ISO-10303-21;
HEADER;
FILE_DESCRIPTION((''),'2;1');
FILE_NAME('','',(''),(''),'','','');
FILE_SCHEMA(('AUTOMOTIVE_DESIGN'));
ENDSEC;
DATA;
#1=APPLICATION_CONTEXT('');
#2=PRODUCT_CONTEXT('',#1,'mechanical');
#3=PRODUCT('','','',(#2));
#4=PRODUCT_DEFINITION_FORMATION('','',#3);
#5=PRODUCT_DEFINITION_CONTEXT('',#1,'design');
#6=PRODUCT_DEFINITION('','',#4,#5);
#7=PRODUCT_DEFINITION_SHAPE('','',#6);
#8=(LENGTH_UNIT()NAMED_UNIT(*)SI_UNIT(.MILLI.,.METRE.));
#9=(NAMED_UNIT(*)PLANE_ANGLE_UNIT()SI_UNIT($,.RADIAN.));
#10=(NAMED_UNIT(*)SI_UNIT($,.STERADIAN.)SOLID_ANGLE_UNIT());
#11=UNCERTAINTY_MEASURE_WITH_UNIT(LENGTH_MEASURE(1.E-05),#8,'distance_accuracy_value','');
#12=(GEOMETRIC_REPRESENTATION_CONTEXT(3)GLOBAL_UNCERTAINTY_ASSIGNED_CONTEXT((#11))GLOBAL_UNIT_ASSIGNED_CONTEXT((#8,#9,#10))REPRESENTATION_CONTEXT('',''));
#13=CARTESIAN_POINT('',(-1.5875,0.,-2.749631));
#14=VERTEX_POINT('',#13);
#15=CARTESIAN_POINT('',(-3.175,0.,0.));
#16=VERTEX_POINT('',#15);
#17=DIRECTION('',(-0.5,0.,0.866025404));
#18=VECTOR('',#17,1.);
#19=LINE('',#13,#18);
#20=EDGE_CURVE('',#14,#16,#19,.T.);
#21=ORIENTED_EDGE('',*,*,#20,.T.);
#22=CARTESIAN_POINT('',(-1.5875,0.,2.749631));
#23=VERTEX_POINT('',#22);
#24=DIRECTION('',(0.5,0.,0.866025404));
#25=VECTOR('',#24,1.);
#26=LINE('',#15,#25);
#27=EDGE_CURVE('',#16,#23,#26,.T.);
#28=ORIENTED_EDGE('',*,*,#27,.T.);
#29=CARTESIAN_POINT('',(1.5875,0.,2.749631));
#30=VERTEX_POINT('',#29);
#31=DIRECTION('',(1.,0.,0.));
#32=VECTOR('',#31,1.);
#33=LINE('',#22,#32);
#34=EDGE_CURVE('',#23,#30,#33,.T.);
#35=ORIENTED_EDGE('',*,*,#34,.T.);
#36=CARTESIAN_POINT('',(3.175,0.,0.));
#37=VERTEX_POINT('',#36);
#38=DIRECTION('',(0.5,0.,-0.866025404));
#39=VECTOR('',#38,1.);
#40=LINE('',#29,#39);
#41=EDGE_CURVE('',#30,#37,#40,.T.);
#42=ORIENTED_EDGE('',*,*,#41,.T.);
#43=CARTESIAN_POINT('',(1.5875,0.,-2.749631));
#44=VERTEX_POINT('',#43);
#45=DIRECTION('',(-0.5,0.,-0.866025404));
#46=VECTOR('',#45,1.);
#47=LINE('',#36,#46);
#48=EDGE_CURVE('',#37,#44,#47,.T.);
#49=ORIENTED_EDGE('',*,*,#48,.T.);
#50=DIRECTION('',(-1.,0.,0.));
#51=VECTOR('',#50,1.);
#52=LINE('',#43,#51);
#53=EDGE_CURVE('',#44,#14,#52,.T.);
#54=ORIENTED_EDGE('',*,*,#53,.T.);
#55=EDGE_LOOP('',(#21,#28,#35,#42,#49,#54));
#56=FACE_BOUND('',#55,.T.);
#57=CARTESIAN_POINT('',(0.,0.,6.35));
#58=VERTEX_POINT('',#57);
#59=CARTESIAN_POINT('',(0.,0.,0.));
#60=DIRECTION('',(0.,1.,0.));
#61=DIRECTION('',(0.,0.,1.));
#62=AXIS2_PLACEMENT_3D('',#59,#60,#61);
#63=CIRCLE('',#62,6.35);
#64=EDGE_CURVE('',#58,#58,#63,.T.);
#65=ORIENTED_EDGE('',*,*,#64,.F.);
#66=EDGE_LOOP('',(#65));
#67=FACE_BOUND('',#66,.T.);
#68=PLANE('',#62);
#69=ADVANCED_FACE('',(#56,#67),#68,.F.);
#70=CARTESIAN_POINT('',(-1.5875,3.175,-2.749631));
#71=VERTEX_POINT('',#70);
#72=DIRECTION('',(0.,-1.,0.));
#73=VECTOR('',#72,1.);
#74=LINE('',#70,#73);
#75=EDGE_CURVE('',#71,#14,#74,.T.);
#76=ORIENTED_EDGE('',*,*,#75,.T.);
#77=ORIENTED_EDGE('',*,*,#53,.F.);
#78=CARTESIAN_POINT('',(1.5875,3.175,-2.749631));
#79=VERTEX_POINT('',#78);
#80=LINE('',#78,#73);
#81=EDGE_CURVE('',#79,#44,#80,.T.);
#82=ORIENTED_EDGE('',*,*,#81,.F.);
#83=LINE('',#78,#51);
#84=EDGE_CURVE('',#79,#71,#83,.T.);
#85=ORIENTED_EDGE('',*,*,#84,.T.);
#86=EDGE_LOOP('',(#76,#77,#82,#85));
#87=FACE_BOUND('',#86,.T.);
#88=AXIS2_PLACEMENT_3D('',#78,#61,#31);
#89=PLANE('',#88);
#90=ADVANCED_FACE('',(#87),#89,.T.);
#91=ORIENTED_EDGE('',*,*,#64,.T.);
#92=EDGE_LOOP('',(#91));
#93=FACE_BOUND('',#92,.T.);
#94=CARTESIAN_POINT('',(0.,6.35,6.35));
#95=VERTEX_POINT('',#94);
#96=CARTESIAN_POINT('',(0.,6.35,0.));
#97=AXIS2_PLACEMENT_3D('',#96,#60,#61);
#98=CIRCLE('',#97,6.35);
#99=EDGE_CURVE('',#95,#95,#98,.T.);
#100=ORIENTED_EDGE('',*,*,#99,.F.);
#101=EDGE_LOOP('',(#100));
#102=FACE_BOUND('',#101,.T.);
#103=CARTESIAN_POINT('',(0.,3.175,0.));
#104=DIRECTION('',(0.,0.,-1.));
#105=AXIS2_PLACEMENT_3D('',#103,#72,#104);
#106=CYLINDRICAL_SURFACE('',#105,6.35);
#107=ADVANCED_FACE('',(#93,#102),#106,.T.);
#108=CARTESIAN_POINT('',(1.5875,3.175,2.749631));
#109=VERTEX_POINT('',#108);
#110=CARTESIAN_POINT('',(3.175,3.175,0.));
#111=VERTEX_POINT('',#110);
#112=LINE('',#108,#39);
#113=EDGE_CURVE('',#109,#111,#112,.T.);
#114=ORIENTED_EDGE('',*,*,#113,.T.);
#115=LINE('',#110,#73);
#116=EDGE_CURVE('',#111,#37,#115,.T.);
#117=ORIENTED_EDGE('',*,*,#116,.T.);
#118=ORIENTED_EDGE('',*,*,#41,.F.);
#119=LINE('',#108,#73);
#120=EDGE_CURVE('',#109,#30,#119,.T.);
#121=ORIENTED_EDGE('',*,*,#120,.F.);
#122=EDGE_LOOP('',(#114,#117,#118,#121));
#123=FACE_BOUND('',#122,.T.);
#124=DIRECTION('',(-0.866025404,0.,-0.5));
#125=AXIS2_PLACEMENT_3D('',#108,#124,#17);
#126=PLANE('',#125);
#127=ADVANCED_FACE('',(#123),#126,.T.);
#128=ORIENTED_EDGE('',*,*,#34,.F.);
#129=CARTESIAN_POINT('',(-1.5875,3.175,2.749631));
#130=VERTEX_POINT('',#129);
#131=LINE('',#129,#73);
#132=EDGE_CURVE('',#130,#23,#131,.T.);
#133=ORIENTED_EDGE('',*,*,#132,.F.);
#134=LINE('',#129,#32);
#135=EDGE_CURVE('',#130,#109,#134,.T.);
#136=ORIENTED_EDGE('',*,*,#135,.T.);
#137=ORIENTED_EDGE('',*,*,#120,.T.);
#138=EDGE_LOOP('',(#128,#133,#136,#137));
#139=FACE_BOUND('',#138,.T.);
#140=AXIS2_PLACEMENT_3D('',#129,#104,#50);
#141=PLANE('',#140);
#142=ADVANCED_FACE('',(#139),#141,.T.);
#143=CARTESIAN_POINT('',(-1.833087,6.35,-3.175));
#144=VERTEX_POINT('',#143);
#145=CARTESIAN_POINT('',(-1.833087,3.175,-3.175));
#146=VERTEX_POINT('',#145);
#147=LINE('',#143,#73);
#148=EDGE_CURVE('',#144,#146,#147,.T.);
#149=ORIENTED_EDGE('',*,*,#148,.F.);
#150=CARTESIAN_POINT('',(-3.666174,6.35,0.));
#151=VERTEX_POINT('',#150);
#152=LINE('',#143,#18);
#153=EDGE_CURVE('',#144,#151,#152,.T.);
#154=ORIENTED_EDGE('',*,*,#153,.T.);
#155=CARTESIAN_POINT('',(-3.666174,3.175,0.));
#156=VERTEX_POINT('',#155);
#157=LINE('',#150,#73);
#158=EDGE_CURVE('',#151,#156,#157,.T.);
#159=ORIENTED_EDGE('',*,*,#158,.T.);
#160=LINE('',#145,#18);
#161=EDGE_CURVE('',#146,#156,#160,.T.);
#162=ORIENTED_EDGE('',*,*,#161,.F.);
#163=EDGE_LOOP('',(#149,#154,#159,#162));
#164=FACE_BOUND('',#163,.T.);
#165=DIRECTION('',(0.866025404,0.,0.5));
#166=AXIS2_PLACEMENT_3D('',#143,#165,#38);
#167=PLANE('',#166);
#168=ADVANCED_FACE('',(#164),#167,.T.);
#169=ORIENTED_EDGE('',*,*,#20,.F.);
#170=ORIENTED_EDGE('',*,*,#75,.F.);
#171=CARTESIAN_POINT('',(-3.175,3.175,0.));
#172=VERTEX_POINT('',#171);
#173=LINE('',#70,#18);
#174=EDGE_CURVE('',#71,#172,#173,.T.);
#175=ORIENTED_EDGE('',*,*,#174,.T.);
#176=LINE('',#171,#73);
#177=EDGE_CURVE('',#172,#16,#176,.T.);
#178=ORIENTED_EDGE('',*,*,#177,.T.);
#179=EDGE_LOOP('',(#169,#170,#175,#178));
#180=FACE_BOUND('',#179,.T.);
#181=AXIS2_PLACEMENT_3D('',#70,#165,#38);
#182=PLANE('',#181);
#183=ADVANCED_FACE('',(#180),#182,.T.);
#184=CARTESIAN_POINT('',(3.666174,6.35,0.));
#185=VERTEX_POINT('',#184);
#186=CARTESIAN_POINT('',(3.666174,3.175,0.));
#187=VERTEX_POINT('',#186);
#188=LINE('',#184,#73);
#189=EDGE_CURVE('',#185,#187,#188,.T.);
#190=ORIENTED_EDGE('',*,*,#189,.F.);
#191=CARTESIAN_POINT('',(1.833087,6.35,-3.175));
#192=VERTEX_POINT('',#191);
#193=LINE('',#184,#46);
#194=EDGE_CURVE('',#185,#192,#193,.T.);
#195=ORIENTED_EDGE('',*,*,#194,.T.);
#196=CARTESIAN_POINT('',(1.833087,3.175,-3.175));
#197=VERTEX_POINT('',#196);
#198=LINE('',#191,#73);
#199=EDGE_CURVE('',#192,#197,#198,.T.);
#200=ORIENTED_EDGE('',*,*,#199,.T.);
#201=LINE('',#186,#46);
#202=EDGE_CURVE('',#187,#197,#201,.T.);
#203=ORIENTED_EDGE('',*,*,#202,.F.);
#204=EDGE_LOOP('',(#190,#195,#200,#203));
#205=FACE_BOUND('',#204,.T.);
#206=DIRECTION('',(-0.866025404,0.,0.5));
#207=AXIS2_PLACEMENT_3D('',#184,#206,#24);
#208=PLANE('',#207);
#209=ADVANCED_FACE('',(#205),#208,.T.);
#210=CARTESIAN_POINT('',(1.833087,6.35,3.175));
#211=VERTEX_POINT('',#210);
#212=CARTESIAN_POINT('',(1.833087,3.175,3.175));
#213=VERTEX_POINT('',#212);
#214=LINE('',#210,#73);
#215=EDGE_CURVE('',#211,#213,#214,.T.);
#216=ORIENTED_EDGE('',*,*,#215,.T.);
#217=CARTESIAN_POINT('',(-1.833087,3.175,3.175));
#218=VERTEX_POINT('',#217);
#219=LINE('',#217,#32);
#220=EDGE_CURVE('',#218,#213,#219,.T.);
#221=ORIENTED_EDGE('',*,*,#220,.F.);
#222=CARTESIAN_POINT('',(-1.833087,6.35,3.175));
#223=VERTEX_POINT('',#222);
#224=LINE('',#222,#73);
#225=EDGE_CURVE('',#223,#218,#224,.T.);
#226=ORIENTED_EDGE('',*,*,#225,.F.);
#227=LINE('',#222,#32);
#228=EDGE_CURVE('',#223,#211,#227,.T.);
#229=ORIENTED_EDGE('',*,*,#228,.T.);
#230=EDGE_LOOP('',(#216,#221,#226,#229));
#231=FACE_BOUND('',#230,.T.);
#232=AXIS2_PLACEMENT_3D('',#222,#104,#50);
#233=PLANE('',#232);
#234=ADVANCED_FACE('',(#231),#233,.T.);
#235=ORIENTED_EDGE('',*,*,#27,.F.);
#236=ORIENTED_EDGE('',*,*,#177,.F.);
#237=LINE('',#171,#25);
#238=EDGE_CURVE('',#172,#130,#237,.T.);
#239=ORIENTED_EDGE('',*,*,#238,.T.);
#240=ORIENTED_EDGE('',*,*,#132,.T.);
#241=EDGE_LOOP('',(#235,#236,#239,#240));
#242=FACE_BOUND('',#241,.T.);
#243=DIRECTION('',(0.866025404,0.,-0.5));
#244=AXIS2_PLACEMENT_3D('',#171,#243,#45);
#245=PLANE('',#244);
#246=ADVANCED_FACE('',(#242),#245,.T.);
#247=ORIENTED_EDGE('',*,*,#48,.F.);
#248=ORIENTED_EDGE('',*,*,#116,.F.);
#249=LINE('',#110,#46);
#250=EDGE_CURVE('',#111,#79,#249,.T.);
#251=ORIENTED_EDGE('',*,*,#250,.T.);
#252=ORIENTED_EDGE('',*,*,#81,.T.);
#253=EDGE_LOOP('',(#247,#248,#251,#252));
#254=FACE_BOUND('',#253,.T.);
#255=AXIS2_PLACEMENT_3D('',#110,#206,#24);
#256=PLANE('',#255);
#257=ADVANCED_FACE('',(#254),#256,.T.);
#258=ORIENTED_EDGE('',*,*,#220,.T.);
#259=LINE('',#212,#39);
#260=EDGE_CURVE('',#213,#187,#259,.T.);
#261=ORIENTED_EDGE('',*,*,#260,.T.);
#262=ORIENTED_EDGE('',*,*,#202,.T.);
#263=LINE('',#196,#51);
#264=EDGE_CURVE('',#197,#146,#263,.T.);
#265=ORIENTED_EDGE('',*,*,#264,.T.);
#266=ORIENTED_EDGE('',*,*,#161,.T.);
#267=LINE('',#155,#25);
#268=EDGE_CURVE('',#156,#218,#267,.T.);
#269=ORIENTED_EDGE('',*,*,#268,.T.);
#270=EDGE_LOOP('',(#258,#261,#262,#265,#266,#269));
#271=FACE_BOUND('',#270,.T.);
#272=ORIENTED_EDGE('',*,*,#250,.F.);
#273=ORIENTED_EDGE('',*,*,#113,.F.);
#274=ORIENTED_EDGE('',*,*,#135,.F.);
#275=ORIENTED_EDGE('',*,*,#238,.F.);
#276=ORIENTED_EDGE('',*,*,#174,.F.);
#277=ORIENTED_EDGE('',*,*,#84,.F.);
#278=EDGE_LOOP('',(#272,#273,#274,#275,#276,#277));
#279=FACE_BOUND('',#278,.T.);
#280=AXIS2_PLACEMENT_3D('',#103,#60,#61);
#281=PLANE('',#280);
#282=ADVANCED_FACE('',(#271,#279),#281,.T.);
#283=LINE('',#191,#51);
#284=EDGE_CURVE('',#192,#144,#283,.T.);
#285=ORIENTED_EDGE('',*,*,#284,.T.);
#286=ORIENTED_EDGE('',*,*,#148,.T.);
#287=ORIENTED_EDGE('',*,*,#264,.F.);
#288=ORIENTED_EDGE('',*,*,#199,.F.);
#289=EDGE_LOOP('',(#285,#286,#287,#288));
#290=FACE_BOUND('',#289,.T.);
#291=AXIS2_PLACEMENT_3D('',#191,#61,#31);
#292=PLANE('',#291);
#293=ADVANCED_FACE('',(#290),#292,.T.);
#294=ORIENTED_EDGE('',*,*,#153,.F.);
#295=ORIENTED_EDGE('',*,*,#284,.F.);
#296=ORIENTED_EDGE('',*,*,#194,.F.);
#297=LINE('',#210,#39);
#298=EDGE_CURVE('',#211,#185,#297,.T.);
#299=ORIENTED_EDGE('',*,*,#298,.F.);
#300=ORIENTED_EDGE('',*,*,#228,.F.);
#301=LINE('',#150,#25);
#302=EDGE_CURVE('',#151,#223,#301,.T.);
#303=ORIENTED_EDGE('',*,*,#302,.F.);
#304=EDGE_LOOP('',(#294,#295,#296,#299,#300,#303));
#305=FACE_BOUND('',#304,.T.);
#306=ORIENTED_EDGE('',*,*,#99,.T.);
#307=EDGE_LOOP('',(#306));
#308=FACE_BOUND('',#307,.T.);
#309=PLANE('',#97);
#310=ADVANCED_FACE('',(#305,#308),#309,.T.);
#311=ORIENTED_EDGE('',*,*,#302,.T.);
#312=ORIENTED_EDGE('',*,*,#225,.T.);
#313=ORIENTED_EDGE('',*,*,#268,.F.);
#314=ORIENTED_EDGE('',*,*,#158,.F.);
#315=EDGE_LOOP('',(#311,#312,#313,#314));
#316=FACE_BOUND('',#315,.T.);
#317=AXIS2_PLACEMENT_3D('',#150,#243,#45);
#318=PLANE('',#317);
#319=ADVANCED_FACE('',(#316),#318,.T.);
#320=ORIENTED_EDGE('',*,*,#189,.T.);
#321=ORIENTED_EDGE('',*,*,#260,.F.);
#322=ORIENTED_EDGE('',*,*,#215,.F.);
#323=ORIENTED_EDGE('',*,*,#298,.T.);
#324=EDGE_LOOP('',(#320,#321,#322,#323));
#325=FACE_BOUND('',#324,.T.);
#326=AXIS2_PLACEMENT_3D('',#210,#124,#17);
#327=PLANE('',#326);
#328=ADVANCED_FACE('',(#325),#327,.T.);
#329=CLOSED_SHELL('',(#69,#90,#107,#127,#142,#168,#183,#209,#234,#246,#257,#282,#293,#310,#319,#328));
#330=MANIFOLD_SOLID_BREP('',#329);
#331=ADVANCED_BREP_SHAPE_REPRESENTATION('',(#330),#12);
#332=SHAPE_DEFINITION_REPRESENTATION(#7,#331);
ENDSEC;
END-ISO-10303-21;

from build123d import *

# Parameters (mm, degrees)
SKETCH1_R           = 6.35
BOSS_EXTRUDE1_DEPTH = 3.175
SKETCH2_R           = 6.35
BOSS_EXTRUDE2_DEPTH = 3.175


with BuildPart() as part:
    # Sketch1 → Boss-Extrude1 (new body)
    with BuildSketch(Plane(origin=(0, 0, 0), x_dir=(1, 0, 0), z_dir=(0, 1, 0))):
        Circle(SKETCH1_R)
        Polygon((1.5875, 2.749630657), (-1.5875, 2.749630657), (-3.175, 0), (-1.5875, -2.749630657), (1.5875, -2.749630657), (3.175, 0), align=None, mode=Mode.SUBTRACT)
    extrude(amount=BOSS_EXTRUDE1_DEPTH)

    # Sketch2 → Boss-Extrude2 (add)
    with BuildSketch(Plane(origin=(0, 3.175, 0), x_dir=(1, 0, 0), z_dir=(0, 1, 0))):
        Circle(SKETCH2_R)
        Polygon((1.833087105, 3.175), (-1.833087105, 3.175), (-3.666174209, 0), (-1.833087105, -3.175), (1.833087105, -3.175), (3.666174209, 0), align=None, mode=Mode.SUBTRACT)
    extrude(amount=BOSS_EXTRUDE2_DEPTH)


solid = part.part
